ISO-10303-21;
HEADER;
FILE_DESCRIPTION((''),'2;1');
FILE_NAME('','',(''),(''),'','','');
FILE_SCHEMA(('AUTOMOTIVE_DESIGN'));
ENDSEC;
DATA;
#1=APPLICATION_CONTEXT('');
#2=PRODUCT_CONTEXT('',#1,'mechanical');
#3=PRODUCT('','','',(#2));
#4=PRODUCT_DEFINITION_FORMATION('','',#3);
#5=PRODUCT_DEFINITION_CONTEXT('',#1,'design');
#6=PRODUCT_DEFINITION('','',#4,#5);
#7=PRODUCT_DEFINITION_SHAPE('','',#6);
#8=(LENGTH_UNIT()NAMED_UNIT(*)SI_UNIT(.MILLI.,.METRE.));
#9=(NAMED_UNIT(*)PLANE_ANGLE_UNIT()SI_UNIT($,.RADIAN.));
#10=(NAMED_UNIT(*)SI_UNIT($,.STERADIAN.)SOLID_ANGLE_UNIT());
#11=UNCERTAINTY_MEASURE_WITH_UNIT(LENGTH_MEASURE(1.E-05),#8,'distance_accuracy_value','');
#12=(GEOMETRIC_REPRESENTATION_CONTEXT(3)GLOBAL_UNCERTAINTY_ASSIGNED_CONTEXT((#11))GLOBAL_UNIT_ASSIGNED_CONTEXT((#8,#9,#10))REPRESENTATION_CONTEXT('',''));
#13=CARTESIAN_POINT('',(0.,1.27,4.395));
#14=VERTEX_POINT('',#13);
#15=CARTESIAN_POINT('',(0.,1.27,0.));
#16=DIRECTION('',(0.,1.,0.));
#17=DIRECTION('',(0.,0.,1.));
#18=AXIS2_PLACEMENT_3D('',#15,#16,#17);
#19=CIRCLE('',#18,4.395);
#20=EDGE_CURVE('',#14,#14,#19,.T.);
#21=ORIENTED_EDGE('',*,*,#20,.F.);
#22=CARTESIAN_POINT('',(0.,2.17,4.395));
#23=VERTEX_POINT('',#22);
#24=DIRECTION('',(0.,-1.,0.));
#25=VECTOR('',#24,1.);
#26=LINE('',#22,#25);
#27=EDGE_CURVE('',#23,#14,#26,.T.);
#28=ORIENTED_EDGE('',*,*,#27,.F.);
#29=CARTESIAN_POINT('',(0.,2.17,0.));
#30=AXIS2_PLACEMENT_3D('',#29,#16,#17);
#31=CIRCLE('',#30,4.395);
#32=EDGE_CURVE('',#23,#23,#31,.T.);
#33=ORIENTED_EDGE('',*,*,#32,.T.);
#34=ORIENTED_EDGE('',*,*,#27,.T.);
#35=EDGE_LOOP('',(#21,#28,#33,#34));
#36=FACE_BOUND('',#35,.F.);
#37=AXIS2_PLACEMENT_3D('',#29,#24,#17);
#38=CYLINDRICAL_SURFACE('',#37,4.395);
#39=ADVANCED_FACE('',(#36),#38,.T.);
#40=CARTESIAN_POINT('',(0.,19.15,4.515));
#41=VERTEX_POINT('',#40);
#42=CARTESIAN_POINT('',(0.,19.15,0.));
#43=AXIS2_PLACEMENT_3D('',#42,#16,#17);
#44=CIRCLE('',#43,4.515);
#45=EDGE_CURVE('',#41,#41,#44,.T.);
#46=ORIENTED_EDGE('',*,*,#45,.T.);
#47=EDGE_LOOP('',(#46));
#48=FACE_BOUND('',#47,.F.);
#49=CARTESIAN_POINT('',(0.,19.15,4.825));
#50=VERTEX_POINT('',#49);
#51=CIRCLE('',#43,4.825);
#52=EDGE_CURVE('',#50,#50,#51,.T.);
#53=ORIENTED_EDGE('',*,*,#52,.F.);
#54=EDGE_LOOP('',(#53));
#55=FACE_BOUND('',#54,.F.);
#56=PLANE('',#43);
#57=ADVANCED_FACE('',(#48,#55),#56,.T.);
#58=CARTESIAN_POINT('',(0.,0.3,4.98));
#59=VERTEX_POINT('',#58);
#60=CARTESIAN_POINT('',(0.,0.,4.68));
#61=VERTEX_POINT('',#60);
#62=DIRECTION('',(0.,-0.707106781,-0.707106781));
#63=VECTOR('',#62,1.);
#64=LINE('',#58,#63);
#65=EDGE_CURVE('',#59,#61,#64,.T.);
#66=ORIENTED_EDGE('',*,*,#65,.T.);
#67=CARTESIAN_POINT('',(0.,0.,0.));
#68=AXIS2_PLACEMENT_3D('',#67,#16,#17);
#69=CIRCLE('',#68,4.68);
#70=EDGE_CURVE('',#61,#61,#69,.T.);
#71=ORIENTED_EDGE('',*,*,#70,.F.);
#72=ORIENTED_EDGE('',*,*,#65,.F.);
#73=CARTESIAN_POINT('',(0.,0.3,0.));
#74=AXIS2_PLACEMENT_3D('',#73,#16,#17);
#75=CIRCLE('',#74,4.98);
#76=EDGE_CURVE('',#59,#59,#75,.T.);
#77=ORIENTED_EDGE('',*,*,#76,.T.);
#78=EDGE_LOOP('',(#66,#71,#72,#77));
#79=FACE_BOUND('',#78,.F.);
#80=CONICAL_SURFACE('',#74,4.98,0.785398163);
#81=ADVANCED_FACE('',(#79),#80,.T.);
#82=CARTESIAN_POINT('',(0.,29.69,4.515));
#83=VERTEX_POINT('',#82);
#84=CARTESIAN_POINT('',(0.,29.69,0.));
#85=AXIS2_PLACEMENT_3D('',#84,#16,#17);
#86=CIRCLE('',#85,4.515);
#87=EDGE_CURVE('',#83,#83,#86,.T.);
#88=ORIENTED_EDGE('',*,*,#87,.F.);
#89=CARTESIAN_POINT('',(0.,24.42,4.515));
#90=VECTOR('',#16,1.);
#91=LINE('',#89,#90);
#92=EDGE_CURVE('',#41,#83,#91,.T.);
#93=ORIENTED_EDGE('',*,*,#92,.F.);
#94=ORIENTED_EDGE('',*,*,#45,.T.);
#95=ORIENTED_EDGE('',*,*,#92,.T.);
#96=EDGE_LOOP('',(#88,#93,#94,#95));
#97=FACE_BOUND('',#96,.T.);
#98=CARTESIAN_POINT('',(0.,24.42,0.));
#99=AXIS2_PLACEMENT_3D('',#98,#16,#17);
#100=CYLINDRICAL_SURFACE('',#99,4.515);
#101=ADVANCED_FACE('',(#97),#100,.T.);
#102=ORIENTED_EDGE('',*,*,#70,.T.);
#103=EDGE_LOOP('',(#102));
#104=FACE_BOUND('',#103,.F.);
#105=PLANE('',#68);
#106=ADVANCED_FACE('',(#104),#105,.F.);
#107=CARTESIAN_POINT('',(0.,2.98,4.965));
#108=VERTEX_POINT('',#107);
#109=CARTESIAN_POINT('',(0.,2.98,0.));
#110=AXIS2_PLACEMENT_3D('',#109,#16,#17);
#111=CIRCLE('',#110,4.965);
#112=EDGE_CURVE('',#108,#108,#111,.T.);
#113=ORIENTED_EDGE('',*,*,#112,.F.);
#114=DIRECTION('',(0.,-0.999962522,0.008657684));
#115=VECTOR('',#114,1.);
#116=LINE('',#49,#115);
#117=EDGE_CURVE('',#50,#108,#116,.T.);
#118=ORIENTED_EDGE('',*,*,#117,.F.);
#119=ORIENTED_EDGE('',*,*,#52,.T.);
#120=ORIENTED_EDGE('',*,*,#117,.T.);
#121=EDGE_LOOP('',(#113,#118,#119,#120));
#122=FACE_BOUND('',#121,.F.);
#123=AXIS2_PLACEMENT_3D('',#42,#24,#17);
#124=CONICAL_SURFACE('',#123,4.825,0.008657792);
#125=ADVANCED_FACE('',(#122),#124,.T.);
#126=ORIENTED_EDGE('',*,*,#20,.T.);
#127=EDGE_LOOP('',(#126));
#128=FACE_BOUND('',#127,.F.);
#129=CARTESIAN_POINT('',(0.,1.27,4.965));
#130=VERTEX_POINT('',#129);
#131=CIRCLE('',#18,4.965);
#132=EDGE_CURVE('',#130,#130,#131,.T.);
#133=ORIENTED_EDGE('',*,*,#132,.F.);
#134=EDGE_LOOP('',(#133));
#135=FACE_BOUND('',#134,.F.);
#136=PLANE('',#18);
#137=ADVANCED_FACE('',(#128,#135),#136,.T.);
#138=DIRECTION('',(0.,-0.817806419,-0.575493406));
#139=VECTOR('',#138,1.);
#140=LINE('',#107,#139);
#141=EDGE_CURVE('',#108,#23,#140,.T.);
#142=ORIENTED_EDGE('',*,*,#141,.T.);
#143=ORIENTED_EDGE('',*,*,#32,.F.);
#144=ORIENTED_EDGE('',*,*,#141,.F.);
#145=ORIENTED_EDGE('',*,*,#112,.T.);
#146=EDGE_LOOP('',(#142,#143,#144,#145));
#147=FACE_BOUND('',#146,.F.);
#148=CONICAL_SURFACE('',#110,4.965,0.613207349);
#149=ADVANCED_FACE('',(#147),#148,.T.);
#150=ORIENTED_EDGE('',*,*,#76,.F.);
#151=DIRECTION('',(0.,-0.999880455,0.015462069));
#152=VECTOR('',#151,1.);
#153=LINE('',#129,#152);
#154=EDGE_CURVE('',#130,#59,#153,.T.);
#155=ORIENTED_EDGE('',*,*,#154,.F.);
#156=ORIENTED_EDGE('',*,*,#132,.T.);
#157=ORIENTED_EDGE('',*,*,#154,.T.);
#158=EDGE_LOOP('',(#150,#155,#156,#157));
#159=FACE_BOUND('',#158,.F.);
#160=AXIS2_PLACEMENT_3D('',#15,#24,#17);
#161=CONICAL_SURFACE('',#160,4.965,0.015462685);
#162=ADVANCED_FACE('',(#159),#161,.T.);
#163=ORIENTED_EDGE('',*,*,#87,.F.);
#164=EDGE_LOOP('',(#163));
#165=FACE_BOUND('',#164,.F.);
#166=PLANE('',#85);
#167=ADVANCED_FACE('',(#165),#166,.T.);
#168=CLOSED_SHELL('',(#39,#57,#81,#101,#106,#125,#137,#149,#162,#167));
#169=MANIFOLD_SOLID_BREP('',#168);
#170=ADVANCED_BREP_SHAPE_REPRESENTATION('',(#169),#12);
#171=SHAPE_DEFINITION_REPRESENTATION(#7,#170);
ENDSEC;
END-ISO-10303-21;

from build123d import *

# Parameters (mm, degrees)
F0_W = 10.54
F0_H = 4.515


with BuildPart() as f1:
    # F0 (on Right) → F1 (revolve)
    with BuildSketch(Plane.YZ):
        Polygon((0, 4.68), (0, 0), (0.3, 0), (0.3, 4.98), align=None)
        Polygon((0.3, 4.98), (0.3, 0), (1.27, 0), (2.17, 0), (2.17, 4.395), (1.27, 4.395), (1.27, 4.965), align=None)
        Polygon((2.17, 4.395), (2.17, 0), (2.98, 0), (2.98, 4.965), align=None)
        Polygon((2.98, 4.965), (2.98, 0), (19.15, 0), (19.15, 4.515), (19.15, 4.825), align=None)
        with Locations((24.42, 2.2575)):
            Rectangle(F0_W, F0_H)
    revolve(axis=Axis((0, 11.065, 0), (0, 1, 0)))


solid = f1.part
